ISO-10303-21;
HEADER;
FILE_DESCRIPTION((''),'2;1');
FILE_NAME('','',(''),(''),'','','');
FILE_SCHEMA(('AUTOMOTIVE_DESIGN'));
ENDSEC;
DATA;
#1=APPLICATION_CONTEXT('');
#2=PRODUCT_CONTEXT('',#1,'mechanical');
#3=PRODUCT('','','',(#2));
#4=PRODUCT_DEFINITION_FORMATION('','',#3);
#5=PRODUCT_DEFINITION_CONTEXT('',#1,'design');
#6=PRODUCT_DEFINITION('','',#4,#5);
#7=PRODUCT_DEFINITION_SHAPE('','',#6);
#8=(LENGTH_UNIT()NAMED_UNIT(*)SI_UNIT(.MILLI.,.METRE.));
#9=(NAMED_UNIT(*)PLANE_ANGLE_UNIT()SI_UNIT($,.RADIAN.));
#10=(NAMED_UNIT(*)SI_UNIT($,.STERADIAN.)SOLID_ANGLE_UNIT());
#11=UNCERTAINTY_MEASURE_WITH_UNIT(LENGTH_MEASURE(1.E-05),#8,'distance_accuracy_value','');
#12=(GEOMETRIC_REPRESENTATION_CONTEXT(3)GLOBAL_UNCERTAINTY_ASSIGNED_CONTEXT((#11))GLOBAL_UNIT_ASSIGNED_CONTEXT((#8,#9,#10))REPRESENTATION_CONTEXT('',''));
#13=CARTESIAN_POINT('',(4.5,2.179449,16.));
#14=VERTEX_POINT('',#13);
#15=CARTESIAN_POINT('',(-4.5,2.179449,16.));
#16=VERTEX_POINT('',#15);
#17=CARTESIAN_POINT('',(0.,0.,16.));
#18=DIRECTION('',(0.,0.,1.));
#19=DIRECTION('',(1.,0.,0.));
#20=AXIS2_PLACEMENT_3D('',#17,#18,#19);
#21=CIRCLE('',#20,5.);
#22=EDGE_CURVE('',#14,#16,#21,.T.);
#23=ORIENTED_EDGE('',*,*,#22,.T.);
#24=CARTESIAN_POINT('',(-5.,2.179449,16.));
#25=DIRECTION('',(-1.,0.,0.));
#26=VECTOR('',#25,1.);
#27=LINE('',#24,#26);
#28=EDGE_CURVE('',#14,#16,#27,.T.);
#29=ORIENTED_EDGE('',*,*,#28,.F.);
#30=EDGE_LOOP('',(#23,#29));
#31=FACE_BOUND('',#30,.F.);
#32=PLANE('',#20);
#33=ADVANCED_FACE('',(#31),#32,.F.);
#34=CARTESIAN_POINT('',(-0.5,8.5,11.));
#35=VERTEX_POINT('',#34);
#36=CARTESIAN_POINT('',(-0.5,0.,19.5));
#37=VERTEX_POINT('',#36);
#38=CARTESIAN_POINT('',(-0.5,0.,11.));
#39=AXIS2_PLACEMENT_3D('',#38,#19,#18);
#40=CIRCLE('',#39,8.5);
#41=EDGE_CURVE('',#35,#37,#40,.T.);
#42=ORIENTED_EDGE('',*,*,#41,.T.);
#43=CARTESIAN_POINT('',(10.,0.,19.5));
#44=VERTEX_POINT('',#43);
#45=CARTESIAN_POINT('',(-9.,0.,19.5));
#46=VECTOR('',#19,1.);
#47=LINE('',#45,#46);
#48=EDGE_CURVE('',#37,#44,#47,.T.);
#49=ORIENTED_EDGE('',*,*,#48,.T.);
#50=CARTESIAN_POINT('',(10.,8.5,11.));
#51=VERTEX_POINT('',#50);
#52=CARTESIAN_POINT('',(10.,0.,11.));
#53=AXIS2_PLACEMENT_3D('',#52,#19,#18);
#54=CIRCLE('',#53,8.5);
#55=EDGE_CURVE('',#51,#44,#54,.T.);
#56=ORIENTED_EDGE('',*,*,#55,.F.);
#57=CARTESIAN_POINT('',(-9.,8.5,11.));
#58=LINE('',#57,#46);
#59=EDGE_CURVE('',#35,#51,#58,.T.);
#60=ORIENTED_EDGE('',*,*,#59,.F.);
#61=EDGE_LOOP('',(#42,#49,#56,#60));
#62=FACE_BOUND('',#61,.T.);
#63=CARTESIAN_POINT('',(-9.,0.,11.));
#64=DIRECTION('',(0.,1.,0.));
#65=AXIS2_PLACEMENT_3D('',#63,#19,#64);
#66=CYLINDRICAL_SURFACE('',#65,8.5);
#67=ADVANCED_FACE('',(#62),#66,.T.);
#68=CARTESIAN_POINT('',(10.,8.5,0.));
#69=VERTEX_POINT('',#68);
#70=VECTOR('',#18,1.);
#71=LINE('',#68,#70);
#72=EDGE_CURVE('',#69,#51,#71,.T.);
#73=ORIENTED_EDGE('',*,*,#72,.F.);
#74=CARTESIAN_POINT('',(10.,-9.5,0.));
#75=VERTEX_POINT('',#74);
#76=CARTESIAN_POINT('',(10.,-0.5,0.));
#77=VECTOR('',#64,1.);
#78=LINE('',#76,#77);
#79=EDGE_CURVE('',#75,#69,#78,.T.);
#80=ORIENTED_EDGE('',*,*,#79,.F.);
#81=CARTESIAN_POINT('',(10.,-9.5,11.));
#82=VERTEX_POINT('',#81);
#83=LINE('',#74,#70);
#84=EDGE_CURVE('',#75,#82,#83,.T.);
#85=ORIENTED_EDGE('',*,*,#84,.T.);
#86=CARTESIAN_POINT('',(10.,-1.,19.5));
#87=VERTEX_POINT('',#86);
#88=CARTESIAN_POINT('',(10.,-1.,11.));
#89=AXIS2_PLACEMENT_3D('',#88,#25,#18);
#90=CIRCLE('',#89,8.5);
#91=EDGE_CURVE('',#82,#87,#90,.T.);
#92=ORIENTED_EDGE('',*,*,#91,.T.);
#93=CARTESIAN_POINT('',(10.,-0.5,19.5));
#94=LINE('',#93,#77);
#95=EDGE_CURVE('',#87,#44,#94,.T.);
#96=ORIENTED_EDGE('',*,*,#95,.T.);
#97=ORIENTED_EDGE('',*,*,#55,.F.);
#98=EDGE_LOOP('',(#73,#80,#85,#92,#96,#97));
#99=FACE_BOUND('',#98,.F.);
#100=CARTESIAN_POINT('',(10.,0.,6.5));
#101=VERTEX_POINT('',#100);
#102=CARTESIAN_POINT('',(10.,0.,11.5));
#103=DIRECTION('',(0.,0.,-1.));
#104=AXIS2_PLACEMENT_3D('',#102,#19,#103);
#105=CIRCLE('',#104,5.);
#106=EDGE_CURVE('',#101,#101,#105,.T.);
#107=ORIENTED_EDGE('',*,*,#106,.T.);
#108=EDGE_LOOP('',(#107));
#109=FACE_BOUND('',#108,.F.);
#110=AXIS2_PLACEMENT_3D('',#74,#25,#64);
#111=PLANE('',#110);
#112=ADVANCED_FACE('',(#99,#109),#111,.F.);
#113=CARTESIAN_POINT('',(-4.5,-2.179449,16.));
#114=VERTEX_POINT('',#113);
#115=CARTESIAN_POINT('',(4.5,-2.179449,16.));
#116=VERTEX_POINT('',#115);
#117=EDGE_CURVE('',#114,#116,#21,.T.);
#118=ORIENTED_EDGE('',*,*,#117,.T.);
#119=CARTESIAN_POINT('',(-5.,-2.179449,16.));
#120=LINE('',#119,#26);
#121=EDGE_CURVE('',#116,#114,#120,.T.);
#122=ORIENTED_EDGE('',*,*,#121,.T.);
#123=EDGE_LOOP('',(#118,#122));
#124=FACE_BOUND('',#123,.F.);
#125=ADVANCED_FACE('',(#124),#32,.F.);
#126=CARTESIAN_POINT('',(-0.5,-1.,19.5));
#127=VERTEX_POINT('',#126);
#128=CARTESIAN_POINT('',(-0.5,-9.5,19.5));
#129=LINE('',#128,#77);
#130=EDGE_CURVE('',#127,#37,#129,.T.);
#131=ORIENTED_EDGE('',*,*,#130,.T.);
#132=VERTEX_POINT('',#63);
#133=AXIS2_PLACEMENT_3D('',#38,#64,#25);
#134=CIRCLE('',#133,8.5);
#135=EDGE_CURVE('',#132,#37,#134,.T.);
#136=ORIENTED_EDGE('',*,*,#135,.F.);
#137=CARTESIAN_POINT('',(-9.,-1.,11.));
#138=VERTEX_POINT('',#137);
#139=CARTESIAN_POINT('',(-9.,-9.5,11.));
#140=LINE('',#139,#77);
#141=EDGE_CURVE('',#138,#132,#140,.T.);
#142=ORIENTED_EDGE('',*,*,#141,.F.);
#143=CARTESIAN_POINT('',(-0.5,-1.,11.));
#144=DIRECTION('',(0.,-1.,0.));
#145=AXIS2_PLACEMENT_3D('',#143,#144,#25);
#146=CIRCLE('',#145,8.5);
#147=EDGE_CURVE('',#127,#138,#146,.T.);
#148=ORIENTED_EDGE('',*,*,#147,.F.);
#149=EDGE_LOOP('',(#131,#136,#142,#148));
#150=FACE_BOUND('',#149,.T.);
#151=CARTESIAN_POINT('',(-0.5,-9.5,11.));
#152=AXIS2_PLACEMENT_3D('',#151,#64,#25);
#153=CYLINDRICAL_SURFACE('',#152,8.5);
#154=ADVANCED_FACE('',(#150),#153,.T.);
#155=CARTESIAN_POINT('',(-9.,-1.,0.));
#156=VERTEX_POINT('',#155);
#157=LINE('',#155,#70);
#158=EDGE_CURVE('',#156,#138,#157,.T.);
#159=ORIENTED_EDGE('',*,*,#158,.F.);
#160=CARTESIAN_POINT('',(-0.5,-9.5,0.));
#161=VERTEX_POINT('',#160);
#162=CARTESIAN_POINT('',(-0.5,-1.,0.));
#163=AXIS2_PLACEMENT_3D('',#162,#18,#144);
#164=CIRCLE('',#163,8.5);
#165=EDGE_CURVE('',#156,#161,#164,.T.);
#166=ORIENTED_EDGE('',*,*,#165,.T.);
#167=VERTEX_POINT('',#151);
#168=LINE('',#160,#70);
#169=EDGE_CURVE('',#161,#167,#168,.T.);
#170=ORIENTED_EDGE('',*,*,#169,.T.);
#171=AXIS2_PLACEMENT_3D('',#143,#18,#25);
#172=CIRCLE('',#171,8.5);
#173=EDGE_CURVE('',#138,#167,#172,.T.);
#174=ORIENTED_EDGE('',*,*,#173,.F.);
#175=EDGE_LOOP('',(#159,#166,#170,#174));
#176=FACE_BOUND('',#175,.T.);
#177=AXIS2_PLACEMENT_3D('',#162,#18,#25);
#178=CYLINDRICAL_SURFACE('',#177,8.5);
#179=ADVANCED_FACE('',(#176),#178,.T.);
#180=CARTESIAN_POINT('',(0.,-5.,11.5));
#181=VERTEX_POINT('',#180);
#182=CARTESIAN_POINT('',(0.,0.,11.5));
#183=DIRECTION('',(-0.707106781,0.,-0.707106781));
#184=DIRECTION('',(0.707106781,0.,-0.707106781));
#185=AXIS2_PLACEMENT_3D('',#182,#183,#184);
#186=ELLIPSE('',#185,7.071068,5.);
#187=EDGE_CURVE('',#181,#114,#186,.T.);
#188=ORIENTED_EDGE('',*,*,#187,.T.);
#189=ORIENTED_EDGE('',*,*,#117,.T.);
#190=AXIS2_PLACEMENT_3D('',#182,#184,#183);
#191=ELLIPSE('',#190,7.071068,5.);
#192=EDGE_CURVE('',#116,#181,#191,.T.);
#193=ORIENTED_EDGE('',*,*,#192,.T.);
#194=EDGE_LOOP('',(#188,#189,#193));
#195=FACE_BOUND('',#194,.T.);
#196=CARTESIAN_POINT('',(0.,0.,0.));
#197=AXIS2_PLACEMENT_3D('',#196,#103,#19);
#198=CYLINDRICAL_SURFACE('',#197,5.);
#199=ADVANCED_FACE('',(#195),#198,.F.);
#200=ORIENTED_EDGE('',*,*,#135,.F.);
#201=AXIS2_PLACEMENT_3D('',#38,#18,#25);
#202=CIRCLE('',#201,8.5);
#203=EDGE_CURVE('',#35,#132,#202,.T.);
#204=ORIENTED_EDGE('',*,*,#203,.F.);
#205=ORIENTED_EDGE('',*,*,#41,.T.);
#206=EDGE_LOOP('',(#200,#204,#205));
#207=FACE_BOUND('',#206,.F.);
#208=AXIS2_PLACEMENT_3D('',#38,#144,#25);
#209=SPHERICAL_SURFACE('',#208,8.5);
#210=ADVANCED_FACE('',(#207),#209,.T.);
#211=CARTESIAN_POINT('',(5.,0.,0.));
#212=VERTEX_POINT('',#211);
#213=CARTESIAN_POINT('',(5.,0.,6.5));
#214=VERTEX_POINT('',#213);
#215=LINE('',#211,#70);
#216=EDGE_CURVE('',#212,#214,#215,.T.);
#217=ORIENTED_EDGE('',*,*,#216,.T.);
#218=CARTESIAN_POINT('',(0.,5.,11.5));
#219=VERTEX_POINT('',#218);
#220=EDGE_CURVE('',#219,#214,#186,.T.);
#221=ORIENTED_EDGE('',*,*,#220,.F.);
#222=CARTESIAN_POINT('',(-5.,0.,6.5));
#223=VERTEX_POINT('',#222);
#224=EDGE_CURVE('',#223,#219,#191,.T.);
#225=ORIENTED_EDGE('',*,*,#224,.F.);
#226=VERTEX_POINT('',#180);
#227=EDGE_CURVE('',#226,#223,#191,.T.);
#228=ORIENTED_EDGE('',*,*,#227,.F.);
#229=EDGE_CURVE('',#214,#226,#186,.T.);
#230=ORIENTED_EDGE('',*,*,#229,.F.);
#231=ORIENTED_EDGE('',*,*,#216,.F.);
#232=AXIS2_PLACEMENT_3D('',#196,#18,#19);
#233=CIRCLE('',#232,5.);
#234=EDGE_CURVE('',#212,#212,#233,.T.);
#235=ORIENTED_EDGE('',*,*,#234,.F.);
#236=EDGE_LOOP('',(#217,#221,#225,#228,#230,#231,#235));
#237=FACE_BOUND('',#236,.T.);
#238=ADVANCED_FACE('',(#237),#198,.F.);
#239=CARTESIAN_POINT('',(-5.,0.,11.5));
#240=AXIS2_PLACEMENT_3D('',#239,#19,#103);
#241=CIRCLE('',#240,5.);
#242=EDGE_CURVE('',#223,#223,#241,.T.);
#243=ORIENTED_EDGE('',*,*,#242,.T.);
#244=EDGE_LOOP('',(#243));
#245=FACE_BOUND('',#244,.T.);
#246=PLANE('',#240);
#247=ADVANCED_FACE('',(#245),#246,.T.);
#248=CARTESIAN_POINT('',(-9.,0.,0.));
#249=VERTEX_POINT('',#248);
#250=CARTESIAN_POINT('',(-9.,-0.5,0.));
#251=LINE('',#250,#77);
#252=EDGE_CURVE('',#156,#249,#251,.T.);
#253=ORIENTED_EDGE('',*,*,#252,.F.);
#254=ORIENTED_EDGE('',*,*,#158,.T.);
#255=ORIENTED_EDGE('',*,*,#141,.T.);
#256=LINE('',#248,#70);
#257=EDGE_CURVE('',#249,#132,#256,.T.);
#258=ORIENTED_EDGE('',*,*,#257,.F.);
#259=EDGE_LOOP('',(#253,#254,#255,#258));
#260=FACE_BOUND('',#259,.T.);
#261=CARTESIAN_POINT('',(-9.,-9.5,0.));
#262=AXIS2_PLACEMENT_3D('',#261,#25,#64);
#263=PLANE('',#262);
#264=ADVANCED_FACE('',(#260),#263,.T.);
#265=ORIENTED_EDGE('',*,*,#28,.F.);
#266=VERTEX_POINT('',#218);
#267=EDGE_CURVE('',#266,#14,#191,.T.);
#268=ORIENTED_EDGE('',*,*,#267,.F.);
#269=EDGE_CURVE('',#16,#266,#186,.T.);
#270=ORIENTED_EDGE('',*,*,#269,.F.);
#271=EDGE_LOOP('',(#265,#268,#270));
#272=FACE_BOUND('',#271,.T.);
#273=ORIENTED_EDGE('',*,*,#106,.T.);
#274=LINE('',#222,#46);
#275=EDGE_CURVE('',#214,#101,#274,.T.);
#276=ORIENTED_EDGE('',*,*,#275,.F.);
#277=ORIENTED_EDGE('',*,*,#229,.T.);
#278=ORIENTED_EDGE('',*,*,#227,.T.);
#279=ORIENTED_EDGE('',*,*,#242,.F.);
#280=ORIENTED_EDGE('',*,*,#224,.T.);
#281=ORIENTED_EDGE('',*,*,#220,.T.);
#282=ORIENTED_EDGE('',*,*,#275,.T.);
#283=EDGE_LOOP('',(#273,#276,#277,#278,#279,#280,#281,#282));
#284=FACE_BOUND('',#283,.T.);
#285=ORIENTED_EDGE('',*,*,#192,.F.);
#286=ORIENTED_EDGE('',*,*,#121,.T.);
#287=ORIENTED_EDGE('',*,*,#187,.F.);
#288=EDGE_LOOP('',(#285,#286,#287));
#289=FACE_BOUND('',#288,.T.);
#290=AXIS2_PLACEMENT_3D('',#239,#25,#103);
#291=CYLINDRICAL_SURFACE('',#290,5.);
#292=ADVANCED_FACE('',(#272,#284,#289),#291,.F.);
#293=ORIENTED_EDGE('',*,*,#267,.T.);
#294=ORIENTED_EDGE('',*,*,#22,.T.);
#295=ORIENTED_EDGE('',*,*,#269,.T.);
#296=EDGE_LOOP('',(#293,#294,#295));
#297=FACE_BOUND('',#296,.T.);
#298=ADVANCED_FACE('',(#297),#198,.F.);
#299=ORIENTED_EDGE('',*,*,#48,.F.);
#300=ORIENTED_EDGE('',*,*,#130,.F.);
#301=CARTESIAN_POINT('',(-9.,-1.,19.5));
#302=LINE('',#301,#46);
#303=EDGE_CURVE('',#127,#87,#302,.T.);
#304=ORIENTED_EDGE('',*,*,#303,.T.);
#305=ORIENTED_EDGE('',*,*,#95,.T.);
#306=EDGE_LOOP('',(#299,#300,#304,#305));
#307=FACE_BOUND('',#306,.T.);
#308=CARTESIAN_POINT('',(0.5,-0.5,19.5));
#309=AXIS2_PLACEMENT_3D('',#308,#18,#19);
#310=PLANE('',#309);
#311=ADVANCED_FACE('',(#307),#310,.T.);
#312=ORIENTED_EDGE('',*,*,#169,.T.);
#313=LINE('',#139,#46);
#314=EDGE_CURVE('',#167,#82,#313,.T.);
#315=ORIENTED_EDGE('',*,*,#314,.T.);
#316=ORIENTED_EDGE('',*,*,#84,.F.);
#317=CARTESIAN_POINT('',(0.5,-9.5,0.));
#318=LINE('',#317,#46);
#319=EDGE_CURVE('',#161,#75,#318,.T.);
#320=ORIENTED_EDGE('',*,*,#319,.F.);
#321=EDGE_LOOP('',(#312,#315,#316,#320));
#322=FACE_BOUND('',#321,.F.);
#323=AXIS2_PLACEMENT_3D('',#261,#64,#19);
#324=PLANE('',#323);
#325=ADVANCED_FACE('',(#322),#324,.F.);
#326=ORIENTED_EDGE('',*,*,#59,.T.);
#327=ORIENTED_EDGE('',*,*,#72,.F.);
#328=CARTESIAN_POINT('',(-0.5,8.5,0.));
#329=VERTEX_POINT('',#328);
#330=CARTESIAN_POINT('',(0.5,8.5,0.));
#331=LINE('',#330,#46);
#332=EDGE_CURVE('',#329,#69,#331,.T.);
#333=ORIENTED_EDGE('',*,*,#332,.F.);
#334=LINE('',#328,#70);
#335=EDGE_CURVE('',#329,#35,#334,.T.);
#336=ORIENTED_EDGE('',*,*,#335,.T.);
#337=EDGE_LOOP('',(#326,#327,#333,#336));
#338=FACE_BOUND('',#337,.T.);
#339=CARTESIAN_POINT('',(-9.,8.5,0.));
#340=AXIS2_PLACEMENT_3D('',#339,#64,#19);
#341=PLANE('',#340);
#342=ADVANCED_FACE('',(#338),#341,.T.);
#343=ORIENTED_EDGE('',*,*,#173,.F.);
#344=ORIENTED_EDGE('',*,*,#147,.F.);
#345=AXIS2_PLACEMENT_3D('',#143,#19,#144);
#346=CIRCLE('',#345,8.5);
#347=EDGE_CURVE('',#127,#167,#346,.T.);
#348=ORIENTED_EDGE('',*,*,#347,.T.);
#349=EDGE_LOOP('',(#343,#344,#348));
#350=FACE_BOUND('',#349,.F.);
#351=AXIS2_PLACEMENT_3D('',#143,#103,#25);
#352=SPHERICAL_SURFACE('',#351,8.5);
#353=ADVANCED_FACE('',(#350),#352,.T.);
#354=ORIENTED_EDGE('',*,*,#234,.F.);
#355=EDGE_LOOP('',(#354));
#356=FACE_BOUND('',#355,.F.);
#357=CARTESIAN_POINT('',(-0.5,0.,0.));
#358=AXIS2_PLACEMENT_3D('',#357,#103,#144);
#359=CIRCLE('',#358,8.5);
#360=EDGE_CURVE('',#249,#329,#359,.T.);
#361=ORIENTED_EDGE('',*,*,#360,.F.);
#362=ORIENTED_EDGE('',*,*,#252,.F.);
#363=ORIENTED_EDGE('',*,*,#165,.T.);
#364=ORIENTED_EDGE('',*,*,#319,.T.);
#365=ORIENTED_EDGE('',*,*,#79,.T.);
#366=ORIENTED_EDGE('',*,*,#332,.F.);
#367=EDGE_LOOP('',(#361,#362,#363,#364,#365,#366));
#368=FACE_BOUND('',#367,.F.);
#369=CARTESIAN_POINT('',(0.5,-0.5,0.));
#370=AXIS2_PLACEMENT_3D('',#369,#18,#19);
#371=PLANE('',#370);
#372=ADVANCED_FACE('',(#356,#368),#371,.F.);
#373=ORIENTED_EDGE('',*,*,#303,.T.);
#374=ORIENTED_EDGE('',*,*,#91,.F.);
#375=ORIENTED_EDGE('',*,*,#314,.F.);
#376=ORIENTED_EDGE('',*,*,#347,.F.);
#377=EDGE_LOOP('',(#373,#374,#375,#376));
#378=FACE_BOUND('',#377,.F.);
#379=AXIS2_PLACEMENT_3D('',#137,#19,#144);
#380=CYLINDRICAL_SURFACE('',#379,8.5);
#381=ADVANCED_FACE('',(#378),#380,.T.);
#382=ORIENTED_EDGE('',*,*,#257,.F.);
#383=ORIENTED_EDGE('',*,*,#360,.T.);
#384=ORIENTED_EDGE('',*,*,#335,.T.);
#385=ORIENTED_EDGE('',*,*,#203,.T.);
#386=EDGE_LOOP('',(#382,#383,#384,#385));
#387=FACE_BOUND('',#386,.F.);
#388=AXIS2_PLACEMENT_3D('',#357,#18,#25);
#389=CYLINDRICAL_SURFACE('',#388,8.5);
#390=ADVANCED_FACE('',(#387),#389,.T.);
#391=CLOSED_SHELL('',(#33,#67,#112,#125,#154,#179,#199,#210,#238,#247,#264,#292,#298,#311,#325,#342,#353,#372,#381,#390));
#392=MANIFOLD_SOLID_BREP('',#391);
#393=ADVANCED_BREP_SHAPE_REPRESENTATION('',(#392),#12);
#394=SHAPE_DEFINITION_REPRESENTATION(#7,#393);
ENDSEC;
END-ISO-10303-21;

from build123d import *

# Parameters (mm, degrees)
CYLINDER035_R     = 5
CYLINDER035_DEPTH = 15
CYLINDER034_R     = 5
CYLINDER034_DEPTH = 16
BOX017_W          = 19
BOX017_H          = 18
BOX017_DEPTH      = 19.5
FILLET006_R       = 8.5


with BuildPart() as c_top_hole001:
    # Cylinder035 → Cylinder035 (new body)
    with BuildSketch(Plane(origin=(-5, 0, 11.5), x_dir=(0, 0, -1), z_dir=(1, 0, 0))):
        Circle(CYLINDER035_R)
    extrude(amount=CYLINDER035_DEPTH)


with BuildPart() as c_holes:
    # Cylinder034 → Cylinder034 (new body)
    with BuildSketch(Plane.XY):
        Circle(CYLINDER034_R)
    extrude(amount=CYLINDER034_DEPTH)

    # Fusion039: union C-Top-Hole001
    add(c_top_hole001.part)


with BuildPart() as corner:
    # Box017 → Box017 (new body)
    with BuildSketch(Plane(origin=(-9, -9.5, 0), x_dir=(1, 0, 0), z_dir=(0, 0, 1))):
        with Locations((9.5, 9)):
            Rectangle(BOX017_W, BOX017_H)
    extrude(amount=BOX017_DEPTH)

    # Fillet006
    fillet006_edges = [corner.edges().sort_by_distance(p)[0] for p in [
        (-9, -9.5, 9.75),
        (-9, -0.5, 19.5),
        (-9, 8.5, 9.75),
        (0.5, -9.5, 19.5),
        (0.5, 8.5, 19.5),
    ]]
    fillet(fillet006_edges, radius=FILLET006_R)

    # Cut: cut C-Holes
    add(c_holes.part, mode=Mode.SUBTRACT)


solid = corner.part
